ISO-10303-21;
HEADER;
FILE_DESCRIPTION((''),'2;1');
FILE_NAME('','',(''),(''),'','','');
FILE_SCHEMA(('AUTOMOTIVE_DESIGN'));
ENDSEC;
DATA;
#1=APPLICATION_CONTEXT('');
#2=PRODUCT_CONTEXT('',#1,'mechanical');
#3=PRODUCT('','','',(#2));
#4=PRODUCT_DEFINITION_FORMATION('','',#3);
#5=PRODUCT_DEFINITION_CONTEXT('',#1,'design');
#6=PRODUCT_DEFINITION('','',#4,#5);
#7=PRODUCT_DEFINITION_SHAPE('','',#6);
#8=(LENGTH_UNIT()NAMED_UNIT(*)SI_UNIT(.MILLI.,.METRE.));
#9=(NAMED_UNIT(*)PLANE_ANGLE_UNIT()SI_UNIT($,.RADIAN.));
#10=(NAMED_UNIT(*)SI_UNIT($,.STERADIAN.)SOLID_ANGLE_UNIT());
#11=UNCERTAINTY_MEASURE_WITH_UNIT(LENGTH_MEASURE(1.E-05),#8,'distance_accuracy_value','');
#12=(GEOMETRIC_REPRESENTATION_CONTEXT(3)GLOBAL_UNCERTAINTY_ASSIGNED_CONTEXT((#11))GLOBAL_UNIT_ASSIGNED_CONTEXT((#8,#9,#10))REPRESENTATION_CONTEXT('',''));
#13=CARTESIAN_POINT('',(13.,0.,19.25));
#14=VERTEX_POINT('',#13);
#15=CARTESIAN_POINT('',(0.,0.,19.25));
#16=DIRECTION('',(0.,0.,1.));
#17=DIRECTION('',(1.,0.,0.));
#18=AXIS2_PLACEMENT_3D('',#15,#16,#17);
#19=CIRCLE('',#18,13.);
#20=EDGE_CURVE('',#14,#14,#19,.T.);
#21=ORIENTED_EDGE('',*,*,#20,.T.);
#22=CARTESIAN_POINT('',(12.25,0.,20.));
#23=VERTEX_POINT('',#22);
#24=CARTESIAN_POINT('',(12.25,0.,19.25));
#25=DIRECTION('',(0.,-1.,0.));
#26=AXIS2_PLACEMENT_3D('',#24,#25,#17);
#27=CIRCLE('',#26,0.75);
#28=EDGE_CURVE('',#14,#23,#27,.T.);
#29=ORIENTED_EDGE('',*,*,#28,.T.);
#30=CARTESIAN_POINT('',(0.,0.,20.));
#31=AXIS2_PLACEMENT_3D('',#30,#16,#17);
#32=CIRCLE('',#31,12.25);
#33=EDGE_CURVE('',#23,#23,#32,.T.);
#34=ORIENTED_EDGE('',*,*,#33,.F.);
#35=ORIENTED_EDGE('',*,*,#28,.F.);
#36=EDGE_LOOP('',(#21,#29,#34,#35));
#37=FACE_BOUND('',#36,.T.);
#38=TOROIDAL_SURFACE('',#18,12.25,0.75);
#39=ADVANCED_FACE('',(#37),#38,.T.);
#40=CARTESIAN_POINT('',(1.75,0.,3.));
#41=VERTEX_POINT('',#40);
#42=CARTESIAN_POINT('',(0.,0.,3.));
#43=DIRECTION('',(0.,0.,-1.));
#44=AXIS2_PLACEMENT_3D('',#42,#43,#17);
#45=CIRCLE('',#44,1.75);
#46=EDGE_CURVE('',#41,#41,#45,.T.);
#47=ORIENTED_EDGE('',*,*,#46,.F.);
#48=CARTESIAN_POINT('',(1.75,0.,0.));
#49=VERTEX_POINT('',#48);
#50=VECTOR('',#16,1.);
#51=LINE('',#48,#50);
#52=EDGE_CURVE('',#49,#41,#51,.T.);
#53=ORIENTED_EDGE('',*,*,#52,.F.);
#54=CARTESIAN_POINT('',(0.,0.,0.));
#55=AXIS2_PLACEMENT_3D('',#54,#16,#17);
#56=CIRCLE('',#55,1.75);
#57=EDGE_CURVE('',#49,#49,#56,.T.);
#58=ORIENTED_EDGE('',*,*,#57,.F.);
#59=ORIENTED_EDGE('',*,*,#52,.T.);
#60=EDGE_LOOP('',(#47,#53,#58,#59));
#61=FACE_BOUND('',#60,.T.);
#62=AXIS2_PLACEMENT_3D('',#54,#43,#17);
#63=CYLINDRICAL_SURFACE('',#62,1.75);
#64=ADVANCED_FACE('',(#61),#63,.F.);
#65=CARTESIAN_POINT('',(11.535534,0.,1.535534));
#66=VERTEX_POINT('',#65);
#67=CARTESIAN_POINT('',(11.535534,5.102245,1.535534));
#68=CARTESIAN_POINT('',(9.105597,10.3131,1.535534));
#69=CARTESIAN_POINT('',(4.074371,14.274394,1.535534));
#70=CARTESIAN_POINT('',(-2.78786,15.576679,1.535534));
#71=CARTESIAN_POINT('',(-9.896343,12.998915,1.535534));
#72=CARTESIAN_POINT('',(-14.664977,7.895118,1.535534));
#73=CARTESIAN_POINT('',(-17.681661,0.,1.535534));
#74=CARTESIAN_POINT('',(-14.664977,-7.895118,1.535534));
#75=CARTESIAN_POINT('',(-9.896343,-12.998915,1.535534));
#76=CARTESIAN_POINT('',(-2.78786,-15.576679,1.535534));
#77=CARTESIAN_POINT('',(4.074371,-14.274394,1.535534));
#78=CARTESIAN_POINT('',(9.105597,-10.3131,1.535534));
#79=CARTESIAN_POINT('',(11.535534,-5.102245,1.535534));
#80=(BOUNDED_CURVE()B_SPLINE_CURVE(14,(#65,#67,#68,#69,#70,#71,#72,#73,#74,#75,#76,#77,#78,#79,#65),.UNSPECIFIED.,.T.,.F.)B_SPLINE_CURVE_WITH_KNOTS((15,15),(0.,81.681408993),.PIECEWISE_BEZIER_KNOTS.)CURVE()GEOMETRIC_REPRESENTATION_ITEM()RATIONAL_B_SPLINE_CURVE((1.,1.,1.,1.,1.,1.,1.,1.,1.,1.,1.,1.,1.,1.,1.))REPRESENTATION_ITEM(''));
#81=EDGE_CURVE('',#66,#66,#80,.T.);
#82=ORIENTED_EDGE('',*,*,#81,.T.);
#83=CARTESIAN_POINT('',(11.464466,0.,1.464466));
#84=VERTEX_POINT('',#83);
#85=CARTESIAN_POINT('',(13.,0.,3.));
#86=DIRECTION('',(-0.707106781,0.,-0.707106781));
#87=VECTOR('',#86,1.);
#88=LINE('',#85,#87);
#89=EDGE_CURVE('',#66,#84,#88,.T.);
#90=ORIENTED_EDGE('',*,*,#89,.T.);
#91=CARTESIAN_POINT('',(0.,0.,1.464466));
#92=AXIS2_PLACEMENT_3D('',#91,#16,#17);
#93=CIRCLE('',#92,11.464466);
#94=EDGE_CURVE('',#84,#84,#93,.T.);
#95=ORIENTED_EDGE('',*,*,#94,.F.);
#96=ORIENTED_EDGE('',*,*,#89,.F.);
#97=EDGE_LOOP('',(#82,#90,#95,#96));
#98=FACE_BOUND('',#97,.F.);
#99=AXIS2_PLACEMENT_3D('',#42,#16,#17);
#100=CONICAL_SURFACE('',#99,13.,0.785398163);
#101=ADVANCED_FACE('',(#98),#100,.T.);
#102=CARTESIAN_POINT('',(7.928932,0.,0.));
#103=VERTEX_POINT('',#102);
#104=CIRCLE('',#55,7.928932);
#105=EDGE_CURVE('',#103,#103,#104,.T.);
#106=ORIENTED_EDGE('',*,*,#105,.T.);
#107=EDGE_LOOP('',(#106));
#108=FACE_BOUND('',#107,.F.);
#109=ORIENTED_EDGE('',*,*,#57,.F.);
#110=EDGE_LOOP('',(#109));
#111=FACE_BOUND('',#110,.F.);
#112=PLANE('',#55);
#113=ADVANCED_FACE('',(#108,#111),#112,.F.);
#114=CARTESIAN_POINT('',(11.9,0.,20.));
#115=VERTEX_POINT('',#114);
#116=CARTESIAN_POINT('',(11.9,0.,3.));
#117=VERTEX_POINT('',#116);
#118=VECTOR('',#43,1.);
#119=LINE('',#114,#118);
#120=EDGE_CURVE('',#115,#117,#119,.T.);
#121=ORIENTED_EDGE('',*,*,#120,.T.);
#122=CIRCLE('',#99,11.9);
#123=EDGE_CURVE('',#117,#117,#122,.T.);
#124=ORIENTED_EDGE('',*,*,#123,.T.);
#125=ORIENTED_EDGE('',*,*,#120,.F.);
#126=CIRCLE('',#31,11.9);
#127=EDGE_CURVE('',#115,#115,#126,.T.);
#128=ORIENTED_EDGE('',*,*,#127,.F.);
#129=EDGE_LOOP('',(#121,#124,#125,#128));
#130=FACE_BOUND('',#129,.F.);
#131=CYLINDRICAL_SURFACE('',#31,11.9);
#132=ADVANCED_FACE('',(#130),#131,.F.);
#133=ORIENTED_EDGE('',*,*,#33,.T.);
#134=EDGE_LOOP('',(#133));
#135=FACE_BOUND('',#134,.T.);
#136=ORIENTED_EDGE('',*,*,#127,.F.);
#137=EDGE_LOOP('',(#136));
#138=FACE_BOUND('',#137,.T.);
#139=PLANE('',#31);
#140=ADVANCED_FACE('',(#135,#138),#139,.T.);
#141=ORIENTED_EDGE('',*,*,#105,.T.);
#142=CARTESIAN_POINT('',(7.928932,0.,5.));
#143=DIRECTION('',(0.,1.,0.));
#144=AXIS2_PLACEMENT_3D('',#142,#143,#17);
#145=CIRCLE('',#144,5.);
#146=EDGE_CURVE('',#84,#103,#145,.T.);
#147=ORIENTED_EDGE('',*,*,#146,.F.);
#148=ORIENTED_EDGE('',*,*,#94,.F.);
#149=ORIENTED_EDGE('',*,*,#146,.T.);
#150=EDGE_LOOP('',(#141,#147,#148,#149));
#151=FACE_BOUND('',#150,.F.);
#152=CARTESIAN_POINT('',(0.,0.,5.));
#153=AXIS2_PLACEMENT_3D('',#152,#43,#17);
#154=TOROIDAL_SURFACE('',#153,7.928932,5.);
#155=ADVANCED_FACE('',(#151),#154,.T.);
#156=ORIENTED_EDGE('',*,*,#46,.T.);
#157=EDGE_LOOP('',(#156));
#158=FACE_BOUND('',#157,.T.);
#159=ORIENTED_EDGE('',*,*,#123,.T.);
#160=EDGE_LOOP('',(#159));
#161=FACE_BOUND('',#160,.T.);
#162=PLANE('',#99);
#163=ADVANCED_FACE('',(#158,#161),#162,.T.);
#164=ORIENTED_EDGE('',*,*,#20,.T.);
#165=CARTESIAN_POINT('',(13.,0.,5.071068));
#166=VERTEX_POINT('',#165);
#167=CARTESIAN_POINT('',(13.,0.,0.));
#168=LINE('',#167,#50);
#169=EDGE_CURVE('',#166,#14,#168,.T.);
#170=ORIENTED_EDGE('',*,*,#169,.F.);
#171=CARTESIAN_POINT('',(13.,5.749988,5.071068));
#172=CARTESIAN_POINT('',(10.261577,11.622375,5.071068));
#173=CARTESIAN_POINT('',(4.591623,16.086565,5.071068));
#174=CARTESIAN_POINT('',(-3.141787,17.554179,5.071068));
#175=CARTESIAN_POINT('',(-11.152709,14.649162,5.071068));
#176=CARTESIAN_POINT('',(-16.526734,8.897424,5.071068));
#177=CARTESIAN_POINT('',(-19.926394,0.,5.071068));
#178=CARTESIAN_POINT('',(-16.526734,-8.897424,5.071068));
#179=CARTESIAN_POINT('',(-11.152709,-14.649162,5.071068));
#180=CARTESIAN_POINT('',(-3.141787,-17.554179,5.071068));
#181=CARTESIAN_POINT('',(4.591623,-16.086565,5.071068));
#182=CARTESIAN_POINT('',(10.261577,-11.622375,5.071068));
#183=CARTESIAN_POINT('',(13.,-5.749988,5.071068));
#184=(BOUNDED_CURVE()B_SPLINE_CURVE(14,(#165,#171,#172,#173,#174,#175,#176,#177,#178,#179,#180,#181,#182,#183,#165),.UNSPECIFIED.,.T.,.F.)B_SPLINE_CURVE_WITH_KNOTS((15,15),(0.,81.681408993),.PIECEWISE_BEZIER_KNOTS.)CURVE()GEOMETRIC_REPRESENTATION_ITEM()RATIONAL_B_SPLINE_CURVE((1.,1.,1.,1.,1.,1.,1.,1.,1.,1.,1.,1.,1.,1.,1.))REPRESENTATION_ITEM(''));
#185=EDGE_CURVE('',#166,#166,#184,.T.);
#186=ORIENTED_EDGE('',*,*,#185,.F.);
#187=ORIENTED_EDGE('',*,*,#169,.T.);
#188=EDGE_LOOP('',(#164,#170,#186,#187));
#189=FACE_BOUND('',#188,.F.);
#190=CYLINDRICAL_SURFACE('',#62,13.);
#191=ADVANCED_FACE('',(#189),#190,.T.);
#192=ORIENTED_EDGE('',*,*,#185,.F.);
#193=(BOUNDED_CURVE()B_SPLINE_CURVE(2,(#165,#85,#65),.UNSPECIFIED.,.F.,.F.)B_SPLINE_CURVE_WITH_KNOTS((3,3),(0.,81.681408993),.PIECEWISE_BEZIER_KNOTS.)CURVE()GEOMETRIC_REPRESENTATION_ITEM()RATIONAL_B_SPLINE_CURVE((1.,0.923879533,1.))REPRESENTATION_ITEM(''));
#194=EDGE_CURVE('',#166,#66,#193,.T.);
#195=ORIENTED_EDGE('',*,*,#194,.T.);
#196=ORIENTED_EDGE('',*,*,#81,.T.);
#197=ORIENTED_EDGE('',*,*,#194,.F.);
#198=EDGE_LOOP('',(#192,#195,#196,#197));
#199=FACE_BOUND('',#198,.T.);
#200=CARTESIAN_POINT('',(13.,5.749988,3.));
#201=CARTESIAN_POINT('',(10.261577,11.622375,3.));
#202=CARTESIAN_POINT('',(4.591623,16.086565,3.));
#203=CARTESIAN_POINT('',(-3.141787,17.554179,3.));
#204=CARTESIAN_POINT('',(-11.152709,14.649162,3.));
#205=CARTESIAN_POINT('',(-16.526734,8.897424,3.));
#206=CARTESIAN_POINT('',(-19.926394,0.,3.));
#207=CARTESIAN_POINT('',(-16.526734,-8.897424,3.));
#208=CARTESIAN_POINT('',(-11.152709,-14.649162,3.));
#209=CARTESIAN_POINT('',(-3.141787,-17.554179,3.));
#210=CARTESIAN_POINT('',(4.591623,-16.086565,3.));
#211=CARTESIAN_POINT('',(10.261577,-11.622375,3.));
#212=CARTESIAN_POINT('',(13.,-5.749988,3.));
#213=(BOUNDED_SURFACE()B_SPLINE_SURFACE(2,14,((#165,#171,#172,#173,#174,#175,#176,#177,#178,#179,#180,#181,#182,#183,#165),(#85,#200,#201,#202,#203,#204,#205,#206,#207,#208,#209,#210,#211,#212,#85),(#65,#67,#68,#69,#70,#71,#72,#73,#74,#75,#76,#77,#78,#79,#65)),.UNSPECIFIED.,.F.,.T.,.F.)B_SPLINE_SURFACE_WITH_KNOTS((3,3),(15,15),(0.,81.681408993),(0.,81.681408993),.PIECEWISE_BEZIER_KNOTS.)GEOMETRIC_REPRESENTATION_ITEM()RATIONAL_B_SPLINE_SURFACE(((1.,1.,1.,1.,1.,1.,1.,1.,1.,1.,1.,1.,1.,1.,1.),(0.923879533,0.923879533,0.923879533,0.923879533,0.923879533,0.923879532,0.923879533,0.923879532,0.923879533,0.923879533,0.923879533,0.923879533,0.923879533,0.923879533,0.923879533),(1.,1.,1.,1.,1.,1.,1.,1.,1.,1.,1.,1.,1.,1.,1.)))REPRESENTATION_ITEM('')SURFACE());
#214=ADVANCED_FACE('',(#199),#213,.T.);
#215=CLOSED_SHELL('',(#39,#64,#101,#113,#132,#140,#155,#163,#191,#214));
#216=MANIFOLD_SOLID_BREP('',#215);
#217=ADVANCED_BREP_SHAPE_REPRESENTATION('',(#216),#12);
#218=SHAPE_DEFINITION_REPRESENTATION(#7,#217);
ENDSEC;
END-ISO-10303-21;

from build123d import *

# Parameters (mm, degrees)
F0_R     = 13
F1_DEPTH = 20
F2_R     = 11.9
F3_DEPTH = 17
F4_R     = 1.75
F5_DEPTH = 4.1
F6_SIZE  = 3
F7_R     = 5
F8_R     = 0.75


with BuildPart() as f1:
    # F0 (on Top) → F1 (new body)
    with BuildSketch(Plane.XY):
        Circle(F0_R)
    extrude(amount=F1_DEPTH)

    # F2 (on face) → F3 (cut)
    with BuildSketch(Plane.XY.offset(20)):
        Circle(F2_R)
    extrude(amount=-F3_DEPTH, mode=Mode.SUBTRACT)

    # F4 (on Top) → F5 (cut)
    with BuildSketch(Plane.XY):
        Circle(F4_R)
    extrude(amount=F5_DEPTH, mode=Mode.SUBTRACT)

    # F6
    f6_edges = [f1.edges().sort_by_distance(p)[0] for p in [
        (-13, 0, 0),
    ]]
    chamfer(f6_edges, length=F6_SIZE)

    # F7
    f7_edges = [f1.edges().sort_by_distance(p)[0] for p in [
        (-10, 0, 0),
        (-13, 0, 3),
    ]]
    fillet(f7_edges, radius=F7_R)

    # F8
    f8_edges = [f1.edges().sort_by_distance(p)[0] for p in [
        (-13, 0, 20),
    ]]
    fillet(f8_edges, radius=F8_R)


solid = f1.part
